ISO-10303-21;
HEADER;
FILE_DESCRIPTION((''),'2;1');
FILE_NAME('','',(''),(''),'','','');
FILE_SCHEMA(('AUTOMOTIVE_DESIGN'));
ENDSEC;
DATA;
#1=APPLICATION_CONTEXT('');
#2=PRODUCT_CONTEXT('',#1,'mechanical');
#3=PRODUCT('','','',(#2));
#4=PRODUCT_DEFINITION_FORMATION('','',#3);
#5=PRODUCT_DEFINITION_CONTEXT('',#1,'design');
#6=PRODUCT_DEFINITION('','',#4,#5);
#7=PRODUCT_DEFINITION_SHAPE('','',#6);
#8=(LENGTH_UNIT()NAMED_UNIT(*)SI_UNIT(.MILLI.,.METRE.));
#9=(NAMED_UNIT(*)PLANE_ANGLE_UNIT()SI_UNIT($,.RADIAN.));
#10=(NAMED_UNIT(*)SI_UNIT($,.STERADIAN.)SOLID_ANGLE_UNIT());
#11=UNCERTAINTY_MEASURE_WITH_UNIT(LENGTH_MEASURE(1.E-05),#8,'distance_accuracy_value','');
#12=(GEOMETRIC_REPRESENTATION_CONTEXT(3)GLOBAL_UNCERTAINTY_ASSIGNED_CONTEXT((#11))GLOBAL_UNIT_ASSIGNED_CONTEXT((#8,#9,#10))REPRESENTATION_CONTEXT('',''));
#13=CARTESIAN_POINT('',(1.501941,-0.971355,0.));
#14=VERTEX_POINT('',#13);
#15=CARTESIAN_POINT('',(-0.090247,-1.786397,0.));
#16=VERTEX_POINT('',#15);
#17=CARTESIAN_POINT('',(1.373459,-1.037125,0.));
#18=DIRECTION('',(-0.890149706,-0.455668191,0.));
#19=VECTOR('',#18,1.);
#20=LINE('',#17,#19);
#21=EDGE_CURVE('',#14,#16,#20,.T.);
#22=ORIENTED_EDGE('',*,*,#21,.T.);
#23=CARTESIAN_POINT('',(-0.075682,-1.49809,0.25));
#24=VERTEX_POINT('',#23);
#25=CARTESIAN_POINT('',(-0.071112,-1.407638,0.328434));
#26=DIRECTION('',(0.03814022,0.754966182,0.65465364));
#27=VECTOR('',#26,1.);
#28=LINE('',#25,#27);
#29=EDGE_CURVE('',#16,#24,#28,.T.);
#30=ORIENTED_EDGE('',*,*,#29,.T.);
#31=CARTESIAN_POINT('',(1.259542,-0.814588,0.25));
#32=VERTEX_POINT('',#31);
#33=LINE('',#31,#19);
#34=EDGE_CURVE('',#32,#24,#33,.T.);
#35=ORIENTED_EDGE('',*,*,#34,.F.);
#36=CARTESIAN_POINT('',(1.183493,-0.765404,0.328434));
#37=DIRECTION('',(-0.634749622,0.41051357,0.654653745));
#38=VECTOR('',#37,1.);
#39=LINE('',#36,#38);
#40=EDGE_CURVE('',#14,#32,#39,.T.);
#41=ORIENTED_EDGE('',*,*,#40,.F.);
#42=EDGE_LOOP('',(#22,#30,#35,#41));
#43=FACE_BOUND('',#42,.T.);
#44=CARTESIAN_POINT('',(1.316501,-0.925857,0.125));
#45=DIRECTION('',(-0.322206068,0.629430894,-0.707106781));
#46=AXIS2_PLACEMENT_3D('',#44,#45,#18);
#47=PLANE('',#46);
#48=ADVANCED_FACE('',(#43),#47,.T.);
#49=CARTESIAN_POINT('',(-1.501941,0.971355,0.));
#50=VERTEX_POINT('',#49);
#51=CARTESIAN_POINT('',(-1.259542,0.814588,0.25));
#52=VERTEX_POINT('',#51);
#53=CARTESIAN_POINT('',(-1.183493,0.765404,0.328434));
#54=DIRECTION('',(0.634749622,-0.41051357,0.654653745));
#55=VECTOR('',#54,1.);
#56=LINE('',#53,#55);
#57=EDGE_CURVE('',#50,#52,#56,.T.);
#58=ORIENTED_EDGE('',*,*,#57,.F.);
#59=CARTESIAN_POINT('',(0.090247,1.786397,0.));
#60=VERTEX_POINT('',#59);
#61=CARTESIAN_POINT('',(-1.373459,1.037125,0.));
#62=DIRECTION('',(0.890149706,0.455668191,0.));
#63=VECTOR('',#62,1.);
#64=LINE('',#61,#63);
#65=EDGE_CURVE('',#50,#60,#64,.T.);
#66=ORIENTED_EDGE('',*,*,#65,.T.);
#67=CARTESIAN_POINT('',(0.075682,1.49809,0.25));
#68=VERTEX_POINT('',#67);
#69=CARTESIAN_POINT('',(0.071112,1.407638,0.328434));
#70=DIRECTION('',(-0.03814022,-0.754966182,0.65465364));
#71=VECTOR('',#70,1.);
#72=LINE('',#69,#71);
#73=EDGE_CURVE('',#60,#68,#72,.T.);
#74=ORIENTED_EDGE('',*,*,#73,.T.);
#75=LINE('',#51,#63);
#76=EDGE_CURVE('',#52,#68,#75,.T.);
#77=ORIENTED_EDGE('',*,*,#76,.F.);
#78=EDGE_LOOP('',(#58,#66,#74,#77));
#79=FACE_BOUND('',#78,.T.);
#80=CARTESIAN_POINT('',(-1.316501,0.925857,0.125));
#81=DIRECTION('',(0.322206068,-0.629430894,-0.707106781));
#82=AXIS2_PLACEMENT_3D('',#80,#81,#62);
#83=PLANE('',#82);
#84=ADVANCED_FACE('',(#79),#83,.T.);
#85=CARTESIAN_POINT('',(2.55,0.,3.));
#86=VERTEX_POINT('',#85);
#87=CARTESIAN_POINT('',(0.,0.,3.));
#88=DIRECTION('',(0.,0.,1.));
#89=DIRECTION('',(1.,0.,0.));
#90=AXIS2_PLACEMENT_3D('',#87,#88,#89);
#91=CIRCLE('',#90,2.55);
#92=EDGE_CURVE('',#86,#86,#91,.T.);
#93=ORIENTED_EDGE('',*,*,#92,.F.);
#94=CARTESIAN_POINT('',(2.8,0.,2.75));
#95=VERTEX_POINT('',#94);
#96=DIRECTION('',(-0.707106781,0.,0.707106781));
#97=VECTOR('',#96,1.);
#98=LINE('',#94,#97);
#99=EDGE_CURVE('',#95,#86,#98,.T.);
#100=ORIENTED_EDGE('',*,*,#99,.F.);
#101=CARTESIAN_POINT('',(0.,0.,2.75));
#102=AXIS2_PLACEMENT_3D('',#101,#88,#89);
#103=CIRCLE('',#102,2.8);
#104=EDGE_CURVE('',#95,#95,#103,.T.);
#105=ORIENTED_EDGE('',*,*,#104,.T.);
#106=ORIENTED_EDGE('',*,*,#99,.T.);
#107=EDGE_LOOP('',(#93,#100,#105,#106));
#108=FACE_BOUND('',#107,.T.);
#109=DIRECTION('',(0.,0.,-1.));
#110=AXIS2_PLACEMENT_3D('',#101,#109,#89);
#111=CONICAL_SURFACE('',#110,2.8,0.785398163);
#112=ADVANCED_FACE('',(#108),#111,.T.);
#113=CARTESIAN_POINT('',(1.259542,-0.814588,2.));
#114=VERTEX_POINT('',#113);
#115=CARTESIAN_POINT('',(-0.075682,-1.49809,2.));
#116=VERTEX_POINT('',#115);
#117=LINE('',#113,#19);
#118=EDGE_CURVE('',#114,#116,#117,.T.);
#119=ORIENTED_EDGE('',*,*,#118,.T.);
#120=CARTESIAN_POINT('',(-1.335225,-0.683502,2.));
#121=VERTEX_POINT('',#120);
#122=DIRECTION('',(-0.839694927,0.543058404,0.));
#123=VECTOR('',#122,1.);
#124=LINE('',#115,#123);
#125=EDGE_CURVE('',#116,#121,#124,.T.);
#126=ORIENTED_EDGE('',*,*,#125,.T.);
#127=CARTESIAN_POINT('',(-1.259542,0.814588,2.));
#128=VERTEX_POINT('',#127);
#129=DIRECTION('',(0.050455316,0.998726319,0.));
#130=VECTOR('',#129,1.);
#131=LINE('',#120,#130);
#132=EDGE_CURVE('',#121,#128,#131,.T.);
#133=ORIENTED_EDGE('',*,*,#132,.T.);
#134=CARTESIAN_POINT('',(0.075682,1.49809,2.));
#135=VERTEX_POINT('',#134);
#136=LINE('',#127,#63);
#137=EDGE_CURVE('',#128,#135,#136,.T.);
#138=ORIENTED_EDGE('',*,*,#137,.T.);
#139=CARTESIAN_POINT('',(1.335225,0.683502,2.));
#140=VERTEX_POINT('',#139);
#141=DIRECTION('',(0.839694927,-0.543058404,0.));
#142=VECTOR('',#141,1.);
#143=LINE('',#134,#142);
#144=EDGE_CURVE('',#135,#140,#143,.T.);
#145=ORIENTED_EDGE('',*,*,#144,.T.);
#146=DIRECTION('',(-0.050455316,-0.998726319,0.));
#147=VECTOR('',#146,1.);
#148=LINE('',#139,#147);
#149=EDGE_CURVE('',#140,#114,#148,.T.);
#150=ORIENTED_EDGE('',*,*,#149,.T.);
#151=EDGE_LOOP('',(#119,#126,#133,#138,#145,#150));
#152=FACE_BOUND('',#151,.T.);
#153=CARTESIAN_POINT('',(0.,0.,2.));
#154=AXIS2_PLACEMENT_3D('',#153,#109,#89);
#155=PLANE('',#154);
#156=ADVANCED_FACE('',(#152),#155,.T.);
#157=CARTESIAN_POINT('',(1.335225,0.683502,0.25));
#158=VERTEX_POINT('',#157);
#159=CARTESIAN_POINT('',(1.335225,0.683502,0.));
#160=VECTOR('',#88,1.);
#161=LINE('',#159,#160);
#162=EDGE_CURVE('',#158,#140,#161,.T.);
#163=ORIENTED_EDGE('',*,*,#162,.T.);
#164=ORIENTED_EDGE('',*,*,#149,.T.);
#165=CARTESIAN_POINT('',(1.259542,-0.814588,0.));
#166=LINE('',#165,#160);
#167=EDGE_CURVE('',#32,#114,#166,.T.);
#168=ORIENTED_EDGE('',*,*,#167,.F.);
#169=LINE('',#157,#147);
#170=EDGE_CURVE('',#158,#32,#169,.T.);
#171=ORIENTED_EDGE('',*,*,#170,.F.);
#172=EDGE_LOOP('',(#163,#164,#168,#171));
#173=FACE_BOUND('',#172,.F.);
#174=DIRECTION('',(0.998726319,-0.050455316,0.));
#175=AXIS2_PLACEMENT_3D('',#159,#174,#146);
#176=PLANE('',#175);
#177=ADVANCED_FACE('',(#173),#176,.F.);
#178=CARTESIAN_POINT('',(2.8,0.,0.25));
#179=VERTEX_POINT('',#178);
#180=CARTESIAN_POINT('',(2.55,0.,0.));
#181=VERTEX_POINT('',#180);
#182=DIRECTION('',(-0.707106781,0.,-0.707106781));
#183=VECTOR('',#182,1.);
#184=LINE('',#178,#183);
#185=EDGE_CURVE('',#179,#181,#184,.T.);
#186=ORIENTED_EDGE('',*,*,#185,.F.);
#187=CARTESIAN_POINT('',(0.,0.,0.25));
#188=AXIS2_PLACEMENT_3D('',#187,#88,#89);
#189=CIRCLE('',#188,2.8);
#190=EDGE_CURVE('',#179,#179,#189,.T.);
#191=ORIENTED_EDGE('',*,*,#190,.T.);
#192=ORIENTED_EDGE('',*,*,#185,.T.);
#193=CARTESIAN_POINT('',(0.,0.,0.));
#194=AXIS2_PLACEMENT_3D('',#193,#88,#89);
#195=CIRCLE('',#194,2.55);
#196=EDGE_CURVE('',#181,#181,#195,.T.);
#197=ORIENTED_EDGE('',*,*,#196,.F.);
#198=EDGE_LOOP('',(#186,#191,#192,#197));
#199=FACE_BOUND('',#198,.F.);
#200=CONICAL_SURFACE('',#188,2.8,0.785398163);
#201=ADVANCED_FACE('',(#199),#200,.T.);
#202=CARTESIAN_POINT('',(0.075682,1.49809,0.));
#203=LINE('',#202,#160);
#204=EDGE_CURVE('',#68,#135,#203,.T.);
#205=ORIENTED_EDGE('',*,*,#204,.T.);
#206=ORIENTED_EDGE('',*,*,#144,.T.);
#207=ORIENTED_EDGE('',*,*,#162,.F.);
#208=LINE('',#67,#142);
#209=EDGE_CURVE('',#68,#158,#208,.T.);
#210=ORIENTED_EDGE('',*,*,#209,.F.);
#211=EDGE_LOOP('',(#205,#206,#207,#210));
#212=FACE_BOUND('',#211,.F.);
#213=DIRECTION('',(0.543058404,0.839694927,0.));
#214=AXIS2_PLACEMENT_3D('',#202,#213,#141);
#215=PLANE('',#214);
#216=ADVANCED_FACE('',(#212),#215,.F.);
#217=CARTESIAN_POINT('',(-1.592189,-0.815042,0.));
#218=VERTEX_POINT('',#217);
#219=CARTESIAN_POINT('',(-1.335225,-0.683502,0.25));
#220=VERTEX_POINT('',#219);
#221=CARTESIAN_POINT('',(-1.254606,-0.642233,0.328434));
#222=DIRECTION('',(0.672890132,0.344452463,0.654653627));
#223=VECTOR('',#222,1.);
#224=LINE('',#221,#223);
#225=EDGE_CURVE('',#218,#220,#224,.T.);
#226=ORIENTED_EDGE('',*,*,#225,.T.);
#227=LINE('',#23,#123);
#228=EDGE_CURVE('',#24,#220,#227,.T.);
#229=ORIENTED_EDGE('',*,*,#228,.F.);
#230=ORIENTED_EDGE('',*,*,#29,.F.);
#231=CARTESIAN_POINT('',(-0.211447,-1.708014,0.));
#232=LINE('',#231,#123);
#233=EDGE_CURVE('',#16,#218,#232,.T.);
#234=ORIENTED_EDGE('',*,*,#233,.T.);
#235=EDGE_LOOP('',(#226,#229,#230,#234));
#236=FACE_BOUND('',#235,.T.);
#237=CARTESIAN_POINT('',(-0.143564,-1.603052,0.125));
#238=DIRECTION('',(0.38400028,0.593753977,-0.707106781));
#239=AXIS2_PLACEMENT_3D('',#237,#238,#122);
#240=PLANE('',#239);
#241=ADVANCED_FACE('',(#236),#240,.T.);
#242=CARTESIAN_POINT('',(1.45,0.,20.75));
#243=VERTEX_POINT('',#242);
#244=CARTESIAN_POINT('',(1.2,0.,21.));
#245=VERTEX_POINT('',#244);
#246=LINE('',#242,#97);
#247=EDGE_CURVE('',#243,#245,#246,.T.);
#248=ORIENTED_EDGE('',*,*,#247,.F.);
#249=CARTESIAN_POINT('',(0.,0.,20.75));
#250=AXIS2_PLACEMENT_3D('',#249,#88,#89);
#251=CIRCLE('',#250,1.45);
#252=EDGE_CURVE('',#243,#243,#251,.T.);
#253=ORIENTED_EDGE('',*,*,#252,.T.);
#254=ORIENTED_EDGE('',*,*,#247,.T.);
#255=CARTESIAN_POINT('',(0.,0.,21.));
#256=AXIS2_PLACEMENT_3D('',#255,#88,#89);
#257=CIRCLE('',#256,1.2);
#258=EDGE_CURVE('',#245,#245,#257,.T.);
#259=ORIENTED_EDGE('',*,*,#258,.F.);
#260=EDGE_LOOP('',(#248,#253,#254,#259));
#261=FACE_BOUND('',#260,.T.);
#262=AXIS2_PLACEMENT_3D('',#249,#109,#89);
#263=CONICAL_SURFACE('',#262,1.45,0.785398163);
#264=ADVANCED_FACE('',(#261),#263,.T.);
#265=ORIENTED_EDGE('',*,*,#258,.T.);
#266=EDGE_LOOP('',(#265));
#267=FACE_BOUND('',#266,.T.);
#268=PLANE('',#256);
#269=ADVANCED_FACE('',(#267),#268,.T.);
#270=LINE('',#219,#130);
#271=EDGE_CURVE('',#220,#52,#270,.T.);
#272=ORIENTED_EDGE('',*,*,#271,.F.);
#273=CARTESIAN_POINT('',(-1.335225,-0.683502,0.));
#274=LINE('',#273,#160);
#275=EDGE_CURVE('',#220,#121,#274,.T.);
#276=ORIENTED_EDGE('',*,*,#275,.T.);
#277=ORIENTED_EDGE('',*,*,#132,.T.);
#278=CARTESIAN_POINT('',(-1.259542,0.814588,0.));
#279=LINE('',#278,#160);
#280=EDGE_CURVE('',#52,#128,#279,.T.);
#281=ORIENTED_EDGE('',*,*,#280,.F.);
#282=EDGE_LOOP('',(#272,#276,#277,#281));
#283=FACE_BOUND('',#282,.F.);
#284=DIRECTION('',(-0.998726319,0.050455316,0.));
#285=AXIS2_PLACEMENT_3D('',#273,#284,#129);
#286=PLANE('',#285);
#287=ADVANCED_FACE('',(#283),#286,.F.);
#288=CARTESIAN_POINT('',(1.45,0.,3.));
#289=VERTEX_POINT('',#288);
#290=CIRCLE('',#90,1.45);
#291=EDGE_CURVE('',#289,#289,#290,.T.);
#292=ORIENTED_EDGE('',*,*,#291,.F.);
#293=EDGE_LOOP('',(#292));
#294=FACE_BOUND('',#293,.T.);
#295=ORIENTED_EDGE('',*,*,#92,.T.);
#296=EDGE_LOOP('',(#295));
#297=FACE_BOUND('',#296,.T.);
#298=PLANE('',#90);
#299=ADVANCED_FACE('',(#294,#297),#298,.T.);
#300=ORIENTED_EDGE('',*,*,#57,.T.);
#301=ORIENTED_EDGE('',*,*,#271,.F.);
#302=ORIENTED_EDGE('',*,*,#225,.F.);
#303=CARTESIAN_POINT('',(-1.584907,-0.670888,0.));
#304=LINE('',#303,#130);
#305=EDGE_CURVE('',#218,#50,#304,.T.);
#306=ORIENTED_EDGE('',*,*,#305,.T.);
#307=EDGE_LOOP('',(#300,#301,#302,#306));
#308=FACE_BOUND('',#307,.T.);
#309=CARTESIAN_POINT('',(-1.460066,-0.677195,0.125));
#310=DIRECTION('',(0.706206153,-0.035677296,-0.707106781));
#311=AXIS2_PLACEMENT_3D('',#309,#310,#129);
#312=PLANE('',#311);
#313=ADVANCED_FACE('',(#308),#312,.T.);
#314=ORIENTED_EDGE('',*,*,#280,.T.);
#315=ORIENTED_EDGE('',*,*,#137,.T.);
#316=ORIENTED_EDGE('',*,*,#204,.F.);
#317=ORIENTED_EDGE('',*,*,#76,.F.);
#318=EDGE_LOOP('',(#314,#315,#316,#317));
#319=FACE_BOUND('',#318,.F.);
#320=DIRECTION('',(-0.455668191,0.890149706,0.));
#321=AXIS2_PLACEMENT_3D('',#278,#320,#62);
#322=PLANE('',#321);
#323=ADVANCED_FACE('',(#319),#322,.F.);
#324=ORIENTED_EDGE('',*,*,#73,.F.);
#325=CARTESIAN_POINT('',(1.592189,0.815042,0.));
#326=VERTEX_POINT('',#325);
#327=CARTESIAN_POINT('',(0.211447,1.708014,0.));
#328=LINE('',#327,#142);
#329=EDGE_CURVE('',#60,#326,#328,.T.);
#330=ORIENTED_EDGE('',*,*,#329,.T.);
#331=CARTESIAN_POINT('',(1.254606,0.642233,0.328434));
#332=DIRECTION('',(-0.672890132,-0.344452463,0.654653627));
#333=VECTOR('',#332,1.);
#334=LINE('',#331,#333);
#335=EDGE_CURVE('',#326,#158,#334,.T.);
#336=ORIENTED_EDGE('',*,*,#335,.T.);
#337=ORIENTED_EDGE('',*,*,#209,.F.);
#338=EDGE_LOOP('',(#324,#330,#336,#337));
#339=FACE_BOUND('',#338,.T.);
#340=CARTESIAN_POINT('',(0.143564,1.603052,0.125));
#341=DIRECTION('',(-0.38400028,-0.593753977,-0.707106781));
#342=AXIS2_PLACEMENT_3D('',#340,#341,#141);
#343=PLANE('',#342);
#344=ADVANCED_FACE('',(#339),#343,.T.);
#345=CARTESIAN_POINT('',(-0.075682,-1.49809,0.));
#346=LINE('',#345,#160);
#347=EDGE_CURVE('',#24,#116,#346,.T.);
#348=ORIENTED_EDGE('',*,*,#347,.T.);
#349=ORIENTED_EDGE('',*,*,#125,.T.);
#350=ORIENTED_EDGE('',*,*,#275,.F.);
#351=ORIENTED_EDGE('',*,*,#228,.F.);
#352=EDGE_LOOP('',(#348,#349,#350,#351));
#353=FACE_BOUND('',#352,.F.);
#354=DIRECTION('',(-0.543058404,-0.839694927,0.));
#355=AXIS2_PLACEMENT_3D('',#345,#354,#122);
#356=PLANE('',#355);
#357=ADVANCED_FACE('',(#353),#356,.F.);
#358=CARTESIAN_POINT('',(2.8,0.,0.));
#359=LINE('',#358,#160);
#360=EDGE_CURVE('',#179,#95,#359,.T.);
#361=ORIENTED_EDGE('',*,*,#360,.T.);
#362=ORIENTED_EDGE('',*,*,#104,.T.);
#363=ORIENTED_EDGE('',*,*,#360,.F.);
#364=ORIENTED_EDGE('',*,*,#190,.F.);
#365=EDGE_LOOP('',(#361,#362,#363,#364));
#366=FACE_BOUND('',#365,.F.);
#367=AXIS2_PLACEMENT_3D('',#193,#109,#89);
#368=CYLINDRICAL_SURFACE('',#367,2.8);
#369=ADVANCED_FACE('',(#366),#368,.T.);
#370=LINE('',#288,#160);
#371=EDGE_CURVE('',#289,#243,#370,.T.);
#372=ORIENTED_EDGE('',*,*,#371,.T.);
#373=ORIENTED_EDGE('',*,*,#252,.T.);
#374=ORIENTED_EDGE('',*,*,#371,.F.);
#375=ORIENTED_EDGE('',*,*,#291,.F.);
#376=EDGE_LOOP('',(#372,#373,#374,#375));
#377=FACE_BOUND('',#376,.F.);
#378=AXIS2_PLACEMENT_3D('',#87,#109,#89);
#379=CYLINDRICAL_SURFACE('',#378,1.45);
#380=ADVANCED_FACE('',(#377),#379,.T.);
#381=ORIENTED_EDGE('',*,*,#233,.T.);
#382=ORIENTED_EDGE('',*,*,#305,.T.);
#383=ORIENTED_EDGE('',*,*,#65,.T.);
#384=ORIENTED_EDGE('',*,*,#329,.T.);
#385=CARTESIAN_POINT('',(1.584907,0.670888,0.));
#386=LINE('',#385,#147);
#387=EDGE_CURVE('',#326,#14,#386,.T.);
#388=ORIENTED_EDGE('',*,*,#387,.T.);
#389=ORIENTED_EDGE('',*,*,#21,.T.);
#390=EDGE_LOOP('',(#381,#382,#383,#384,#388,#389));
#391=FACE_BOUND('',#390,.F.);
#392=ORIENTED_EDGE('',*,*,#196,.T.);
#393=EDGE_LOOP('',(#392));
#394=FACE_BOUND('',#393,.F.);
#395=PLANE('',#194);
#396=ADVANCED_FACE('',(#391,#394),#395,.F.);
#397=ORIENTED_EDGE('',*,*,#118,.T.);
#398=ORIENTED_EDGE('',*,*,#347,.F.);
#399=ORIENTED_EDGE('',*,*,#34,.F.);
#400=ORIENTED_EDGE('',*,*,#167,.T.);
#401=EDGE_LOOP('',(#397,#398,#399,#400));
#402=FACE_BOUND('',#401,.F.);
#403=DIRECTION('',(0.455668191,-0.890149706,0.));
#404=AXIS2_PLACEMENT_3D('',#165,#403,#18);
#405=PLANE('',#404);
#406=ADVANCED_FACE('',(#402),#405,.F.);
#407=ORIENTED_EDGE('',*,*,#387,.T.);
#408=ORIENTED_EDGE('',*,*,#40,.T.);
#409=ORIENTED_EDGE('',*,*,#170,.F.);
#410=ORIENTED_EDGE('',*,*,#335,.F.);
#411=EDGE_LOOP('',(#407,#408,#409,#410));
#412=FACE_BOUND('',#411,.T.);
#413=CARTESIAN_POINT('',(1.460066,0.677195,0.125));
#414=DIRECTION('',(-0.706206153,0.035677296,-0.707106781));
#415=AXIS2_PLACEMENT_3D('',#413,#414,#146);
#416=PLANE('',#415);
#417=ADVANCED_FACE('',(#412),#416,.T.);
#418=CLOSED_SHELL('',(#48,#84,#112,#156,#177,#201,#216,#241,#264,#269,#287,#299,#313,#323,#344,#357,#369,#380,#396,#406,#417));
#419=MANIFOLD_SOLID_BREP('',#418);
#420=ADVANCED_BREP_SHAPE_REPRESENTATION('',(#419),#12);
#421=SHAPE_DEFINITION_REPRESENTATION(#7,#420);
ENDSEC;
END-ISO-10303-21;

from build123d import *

# Parameters (mm, degrees)
SKETCH_R     = 2.8
PAD_DEPTH    = 3
SKETCH001_R  = 1.45
PAD001_DEPTH = 18
POCKET_DEPTH = 2
CHAMFER_SIZE = 0.25


with BuildPart() as part:
    # Sketch → Pad (new body)
    with BuildSketch(Plane.XY):
        Circle(SKETCH_R)
    extrude(amount=PAD_DEPTH)

    # Sketch001 (on Face3 of Pad) → Pad001 (join)
    with BuildSketch(Plane.XY.offset(3)):
        Circle(SKETCH001_R)
    extrude(amount=PAD001_DEPTH)

    # Sketch002 (on Face2 of Pad001) → Pocket (cut)
    with BuildSketch(Plane(origin=(0, 0, 0), x_dir=(1, 0, 0), z_dir=(0, 0, -1))):
        Polygon((1.259542, 0.814588), (-0.075682, 1.49809), (-1.335225, 0.683502), (-1.259542, -0.814588), (0.075682, -1.49809), (1.335225, -0.683502), align=None)
    extrude(amount=-POCKET_DEPTH, mode=Mode.SUBTRACT)

    # Chamfer
    chamfer_edges = [part.edges().sort_by_distance(p)[0] for p in [
        (-2.8, 0, 3),
        (-2.8, 0, 0),
        (1.297384, -0.065543, 0),
        (0.705454, 1.090796, 0),
        (-0.59193, 1.156339, 0),
        (-1.297384, 0.065543, 0),
        (-0.705454, -1.090796, 0),
        (0.59193, -1.156339, 0),
        (-1.45, 0, 21),
    ]]
    chamfer(chamfer_edges, length=CHAMFER_SIZE)


solid = part.part
